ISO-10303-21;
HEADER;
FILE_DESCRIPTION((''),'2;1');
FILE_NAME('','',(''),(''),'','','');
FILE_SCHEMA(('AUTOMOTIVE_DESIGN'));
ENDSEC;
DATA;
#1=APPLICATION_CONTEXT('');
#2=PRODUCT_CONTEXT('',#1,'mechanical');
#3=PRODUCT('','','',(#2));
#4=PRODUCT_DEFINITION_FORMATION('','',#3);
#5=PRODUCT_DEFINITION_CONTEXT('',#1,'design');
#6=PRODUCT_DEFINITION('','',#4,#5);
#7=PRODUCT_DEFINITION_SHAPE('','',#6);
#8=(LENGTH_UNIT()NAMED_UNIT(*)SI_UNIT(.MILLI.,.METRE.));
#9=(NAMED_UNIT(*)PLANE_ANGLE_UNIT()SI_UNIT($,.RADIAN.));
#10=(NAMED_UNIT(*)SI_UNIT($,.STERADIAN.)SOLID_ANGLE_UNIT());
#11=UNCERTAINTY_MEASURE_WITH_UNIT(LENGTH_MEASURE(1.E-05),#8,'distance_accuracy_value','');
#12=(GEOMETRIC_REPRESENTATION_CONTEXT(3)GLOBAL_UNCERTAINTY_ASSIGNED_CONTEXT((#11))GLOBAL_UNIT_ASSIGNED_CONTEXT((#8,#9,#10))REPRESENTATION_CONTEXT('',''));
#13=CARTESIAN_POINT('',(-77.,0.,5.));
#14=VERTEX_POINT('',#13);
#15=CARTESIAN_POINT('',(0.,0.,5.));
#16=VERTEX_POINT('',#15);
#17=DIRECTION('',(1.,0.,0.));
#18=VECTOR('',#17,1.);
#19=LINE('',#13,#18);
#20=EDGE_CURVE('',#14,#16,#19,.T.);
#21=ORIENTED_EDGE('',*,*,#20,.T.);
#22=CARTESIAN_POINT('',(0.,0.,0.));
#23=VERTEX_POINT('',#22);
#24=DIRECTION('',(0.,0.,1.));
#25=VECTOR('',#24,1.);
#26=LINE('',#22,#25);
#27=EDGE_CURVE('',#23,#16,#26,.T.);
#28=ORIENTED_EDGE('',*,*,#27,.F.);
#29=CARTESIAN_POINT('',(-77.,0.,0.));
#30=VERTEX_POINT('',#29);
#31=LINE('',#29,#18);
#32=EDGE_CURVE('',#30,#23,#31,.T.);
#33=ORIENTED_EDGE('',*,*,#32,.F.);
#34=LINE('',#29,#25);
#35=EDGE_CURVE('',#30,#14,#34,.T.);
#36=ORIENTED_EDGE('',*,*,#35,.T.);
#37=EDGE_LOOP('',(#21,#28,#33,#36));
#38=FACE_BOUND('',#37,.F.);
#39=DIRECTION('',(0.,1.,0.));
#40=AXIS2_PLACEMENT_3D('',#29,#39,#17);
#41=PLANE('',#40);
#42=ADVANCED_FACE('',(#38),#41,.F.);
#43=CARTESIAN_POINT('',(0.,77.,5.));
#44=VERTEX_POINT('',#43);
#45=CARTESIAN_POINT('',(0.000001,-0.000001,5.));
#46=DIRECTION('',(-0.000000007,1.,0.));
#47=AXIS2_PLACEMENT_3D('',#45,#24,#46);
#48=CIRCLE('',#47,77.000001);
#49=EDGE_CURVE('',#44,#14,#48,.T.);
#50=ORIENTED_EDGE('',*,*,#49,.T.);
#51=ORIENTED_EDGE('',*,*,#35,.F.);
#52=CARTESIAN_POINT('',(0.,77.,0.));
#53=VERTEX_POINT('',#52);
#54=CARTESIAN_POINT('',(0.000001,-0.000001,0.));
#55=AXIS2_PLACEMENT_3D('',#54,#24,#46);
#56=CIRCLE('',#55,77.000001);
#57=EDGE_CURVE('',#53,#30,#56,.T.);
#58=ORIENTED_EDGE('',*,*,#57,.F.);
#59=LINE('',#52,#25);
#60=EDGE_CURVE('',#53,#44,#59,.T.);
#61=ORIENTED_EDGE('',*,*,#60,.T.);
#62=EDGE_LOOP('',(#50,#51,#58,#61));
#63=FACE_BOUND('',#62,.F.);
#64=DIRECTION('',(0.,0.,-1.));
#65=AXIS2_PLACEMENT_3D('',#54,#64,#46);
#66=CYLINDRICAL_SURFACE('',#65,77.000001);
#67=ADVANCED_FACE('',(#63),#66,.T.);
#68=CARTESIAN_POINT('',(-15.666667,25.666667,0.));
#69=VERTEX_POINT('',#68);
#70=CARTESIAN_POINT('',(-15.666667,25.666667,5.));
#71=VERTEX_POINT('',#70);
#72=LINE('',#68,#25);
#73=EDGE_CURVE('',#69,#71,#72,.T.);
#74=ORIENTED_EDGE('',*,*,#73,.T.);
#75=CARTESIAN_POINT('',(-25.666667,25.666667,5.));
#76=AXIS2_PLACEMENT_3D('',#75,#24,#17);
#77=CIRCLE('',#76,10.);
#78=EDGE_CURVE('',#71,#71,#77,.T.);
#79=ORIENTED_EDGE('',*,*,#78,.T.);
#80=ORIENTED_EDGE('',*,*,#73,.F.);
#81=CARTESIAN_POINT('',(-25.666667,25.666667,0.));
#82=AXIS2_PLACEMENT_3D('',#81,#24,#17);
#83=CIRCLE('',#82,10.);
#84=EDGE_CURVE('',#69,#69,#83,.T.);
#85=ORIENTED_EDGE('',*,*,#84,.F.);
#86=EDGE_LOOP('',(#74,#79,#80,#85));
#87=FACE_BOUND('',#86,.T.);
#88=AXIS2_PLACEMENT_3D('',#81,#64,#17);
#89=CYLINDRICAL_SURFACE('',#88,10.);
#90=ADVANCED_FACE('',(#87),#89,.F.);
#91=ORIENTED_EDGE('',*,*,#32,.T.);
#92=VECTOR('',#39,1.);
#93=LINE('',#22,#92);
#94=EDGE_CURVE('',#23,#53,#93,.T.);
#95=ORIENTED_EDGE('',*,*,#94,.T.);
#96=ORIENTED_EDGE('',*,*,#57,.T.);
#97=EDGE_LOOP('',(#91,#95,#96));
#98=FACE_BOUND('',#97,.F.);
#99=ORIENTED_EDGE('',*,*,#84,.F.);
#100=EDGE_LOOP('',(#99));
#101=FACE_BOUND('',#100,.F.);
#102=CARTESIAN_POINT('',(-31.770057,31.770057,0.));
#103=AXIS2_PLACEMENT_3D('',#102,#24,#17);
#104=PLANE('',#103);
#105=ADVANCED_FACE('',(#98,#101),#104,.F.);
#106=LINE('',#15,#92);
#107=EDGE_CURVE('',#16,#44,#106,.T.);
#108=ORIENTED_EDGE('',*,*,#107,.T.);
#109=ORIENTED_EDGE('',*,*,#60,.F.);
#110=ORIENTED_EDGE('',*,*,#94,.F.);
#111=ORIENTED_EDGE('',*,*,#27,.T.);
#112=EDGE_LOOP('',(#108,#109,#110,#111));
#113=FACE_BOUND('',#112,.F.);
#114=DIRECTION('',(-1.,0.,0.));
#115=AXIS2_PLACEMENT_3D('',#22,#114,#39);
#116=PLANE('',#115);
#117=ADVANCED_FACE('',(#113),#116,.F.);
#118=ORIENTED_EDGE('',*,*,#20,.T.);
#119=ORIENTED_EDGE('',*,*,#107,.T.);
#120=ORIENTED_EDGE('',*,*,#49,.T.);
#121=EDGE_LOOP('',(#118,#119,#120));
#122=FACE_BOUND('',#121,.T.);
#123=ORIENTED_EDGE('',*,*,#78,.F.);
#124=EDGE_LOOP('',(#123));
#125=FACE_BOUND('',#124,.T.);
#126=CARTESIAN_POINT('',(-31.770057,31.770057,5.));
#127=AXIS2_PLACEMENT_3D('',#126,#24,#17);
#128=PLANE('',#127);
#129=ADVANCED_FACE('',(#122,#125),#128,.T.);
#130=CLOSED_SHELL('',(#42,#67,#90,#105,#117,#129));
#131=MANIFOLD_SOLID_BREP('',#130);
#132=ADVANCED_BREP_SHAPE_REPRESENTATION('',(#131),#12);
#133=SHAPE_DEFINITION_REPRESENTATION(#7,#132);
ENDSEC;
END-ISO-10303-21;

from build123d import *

# Parameters (mm, degrees)
F0_R     = 10
F1_DEPTH = 5


with BuildPart() as f1:
    # F0 (on Top) → F1 (new body)
    with BuildSketch(Plane.XY):
        with BuildLine():
            Line((0, 0), (0, 77))
            ThreePointArc((0, 77), (-54.447222, 54.447222), (-77, 0))
            Line((-77, 0), (0, 0))
        make_face()
        with Locations((-25.666667, 25.666667)):
            Circle(F0_R, mode=Mode.SUBTRACT)
    extrude(amount=F1_DEPTH)


solid = f1.part
